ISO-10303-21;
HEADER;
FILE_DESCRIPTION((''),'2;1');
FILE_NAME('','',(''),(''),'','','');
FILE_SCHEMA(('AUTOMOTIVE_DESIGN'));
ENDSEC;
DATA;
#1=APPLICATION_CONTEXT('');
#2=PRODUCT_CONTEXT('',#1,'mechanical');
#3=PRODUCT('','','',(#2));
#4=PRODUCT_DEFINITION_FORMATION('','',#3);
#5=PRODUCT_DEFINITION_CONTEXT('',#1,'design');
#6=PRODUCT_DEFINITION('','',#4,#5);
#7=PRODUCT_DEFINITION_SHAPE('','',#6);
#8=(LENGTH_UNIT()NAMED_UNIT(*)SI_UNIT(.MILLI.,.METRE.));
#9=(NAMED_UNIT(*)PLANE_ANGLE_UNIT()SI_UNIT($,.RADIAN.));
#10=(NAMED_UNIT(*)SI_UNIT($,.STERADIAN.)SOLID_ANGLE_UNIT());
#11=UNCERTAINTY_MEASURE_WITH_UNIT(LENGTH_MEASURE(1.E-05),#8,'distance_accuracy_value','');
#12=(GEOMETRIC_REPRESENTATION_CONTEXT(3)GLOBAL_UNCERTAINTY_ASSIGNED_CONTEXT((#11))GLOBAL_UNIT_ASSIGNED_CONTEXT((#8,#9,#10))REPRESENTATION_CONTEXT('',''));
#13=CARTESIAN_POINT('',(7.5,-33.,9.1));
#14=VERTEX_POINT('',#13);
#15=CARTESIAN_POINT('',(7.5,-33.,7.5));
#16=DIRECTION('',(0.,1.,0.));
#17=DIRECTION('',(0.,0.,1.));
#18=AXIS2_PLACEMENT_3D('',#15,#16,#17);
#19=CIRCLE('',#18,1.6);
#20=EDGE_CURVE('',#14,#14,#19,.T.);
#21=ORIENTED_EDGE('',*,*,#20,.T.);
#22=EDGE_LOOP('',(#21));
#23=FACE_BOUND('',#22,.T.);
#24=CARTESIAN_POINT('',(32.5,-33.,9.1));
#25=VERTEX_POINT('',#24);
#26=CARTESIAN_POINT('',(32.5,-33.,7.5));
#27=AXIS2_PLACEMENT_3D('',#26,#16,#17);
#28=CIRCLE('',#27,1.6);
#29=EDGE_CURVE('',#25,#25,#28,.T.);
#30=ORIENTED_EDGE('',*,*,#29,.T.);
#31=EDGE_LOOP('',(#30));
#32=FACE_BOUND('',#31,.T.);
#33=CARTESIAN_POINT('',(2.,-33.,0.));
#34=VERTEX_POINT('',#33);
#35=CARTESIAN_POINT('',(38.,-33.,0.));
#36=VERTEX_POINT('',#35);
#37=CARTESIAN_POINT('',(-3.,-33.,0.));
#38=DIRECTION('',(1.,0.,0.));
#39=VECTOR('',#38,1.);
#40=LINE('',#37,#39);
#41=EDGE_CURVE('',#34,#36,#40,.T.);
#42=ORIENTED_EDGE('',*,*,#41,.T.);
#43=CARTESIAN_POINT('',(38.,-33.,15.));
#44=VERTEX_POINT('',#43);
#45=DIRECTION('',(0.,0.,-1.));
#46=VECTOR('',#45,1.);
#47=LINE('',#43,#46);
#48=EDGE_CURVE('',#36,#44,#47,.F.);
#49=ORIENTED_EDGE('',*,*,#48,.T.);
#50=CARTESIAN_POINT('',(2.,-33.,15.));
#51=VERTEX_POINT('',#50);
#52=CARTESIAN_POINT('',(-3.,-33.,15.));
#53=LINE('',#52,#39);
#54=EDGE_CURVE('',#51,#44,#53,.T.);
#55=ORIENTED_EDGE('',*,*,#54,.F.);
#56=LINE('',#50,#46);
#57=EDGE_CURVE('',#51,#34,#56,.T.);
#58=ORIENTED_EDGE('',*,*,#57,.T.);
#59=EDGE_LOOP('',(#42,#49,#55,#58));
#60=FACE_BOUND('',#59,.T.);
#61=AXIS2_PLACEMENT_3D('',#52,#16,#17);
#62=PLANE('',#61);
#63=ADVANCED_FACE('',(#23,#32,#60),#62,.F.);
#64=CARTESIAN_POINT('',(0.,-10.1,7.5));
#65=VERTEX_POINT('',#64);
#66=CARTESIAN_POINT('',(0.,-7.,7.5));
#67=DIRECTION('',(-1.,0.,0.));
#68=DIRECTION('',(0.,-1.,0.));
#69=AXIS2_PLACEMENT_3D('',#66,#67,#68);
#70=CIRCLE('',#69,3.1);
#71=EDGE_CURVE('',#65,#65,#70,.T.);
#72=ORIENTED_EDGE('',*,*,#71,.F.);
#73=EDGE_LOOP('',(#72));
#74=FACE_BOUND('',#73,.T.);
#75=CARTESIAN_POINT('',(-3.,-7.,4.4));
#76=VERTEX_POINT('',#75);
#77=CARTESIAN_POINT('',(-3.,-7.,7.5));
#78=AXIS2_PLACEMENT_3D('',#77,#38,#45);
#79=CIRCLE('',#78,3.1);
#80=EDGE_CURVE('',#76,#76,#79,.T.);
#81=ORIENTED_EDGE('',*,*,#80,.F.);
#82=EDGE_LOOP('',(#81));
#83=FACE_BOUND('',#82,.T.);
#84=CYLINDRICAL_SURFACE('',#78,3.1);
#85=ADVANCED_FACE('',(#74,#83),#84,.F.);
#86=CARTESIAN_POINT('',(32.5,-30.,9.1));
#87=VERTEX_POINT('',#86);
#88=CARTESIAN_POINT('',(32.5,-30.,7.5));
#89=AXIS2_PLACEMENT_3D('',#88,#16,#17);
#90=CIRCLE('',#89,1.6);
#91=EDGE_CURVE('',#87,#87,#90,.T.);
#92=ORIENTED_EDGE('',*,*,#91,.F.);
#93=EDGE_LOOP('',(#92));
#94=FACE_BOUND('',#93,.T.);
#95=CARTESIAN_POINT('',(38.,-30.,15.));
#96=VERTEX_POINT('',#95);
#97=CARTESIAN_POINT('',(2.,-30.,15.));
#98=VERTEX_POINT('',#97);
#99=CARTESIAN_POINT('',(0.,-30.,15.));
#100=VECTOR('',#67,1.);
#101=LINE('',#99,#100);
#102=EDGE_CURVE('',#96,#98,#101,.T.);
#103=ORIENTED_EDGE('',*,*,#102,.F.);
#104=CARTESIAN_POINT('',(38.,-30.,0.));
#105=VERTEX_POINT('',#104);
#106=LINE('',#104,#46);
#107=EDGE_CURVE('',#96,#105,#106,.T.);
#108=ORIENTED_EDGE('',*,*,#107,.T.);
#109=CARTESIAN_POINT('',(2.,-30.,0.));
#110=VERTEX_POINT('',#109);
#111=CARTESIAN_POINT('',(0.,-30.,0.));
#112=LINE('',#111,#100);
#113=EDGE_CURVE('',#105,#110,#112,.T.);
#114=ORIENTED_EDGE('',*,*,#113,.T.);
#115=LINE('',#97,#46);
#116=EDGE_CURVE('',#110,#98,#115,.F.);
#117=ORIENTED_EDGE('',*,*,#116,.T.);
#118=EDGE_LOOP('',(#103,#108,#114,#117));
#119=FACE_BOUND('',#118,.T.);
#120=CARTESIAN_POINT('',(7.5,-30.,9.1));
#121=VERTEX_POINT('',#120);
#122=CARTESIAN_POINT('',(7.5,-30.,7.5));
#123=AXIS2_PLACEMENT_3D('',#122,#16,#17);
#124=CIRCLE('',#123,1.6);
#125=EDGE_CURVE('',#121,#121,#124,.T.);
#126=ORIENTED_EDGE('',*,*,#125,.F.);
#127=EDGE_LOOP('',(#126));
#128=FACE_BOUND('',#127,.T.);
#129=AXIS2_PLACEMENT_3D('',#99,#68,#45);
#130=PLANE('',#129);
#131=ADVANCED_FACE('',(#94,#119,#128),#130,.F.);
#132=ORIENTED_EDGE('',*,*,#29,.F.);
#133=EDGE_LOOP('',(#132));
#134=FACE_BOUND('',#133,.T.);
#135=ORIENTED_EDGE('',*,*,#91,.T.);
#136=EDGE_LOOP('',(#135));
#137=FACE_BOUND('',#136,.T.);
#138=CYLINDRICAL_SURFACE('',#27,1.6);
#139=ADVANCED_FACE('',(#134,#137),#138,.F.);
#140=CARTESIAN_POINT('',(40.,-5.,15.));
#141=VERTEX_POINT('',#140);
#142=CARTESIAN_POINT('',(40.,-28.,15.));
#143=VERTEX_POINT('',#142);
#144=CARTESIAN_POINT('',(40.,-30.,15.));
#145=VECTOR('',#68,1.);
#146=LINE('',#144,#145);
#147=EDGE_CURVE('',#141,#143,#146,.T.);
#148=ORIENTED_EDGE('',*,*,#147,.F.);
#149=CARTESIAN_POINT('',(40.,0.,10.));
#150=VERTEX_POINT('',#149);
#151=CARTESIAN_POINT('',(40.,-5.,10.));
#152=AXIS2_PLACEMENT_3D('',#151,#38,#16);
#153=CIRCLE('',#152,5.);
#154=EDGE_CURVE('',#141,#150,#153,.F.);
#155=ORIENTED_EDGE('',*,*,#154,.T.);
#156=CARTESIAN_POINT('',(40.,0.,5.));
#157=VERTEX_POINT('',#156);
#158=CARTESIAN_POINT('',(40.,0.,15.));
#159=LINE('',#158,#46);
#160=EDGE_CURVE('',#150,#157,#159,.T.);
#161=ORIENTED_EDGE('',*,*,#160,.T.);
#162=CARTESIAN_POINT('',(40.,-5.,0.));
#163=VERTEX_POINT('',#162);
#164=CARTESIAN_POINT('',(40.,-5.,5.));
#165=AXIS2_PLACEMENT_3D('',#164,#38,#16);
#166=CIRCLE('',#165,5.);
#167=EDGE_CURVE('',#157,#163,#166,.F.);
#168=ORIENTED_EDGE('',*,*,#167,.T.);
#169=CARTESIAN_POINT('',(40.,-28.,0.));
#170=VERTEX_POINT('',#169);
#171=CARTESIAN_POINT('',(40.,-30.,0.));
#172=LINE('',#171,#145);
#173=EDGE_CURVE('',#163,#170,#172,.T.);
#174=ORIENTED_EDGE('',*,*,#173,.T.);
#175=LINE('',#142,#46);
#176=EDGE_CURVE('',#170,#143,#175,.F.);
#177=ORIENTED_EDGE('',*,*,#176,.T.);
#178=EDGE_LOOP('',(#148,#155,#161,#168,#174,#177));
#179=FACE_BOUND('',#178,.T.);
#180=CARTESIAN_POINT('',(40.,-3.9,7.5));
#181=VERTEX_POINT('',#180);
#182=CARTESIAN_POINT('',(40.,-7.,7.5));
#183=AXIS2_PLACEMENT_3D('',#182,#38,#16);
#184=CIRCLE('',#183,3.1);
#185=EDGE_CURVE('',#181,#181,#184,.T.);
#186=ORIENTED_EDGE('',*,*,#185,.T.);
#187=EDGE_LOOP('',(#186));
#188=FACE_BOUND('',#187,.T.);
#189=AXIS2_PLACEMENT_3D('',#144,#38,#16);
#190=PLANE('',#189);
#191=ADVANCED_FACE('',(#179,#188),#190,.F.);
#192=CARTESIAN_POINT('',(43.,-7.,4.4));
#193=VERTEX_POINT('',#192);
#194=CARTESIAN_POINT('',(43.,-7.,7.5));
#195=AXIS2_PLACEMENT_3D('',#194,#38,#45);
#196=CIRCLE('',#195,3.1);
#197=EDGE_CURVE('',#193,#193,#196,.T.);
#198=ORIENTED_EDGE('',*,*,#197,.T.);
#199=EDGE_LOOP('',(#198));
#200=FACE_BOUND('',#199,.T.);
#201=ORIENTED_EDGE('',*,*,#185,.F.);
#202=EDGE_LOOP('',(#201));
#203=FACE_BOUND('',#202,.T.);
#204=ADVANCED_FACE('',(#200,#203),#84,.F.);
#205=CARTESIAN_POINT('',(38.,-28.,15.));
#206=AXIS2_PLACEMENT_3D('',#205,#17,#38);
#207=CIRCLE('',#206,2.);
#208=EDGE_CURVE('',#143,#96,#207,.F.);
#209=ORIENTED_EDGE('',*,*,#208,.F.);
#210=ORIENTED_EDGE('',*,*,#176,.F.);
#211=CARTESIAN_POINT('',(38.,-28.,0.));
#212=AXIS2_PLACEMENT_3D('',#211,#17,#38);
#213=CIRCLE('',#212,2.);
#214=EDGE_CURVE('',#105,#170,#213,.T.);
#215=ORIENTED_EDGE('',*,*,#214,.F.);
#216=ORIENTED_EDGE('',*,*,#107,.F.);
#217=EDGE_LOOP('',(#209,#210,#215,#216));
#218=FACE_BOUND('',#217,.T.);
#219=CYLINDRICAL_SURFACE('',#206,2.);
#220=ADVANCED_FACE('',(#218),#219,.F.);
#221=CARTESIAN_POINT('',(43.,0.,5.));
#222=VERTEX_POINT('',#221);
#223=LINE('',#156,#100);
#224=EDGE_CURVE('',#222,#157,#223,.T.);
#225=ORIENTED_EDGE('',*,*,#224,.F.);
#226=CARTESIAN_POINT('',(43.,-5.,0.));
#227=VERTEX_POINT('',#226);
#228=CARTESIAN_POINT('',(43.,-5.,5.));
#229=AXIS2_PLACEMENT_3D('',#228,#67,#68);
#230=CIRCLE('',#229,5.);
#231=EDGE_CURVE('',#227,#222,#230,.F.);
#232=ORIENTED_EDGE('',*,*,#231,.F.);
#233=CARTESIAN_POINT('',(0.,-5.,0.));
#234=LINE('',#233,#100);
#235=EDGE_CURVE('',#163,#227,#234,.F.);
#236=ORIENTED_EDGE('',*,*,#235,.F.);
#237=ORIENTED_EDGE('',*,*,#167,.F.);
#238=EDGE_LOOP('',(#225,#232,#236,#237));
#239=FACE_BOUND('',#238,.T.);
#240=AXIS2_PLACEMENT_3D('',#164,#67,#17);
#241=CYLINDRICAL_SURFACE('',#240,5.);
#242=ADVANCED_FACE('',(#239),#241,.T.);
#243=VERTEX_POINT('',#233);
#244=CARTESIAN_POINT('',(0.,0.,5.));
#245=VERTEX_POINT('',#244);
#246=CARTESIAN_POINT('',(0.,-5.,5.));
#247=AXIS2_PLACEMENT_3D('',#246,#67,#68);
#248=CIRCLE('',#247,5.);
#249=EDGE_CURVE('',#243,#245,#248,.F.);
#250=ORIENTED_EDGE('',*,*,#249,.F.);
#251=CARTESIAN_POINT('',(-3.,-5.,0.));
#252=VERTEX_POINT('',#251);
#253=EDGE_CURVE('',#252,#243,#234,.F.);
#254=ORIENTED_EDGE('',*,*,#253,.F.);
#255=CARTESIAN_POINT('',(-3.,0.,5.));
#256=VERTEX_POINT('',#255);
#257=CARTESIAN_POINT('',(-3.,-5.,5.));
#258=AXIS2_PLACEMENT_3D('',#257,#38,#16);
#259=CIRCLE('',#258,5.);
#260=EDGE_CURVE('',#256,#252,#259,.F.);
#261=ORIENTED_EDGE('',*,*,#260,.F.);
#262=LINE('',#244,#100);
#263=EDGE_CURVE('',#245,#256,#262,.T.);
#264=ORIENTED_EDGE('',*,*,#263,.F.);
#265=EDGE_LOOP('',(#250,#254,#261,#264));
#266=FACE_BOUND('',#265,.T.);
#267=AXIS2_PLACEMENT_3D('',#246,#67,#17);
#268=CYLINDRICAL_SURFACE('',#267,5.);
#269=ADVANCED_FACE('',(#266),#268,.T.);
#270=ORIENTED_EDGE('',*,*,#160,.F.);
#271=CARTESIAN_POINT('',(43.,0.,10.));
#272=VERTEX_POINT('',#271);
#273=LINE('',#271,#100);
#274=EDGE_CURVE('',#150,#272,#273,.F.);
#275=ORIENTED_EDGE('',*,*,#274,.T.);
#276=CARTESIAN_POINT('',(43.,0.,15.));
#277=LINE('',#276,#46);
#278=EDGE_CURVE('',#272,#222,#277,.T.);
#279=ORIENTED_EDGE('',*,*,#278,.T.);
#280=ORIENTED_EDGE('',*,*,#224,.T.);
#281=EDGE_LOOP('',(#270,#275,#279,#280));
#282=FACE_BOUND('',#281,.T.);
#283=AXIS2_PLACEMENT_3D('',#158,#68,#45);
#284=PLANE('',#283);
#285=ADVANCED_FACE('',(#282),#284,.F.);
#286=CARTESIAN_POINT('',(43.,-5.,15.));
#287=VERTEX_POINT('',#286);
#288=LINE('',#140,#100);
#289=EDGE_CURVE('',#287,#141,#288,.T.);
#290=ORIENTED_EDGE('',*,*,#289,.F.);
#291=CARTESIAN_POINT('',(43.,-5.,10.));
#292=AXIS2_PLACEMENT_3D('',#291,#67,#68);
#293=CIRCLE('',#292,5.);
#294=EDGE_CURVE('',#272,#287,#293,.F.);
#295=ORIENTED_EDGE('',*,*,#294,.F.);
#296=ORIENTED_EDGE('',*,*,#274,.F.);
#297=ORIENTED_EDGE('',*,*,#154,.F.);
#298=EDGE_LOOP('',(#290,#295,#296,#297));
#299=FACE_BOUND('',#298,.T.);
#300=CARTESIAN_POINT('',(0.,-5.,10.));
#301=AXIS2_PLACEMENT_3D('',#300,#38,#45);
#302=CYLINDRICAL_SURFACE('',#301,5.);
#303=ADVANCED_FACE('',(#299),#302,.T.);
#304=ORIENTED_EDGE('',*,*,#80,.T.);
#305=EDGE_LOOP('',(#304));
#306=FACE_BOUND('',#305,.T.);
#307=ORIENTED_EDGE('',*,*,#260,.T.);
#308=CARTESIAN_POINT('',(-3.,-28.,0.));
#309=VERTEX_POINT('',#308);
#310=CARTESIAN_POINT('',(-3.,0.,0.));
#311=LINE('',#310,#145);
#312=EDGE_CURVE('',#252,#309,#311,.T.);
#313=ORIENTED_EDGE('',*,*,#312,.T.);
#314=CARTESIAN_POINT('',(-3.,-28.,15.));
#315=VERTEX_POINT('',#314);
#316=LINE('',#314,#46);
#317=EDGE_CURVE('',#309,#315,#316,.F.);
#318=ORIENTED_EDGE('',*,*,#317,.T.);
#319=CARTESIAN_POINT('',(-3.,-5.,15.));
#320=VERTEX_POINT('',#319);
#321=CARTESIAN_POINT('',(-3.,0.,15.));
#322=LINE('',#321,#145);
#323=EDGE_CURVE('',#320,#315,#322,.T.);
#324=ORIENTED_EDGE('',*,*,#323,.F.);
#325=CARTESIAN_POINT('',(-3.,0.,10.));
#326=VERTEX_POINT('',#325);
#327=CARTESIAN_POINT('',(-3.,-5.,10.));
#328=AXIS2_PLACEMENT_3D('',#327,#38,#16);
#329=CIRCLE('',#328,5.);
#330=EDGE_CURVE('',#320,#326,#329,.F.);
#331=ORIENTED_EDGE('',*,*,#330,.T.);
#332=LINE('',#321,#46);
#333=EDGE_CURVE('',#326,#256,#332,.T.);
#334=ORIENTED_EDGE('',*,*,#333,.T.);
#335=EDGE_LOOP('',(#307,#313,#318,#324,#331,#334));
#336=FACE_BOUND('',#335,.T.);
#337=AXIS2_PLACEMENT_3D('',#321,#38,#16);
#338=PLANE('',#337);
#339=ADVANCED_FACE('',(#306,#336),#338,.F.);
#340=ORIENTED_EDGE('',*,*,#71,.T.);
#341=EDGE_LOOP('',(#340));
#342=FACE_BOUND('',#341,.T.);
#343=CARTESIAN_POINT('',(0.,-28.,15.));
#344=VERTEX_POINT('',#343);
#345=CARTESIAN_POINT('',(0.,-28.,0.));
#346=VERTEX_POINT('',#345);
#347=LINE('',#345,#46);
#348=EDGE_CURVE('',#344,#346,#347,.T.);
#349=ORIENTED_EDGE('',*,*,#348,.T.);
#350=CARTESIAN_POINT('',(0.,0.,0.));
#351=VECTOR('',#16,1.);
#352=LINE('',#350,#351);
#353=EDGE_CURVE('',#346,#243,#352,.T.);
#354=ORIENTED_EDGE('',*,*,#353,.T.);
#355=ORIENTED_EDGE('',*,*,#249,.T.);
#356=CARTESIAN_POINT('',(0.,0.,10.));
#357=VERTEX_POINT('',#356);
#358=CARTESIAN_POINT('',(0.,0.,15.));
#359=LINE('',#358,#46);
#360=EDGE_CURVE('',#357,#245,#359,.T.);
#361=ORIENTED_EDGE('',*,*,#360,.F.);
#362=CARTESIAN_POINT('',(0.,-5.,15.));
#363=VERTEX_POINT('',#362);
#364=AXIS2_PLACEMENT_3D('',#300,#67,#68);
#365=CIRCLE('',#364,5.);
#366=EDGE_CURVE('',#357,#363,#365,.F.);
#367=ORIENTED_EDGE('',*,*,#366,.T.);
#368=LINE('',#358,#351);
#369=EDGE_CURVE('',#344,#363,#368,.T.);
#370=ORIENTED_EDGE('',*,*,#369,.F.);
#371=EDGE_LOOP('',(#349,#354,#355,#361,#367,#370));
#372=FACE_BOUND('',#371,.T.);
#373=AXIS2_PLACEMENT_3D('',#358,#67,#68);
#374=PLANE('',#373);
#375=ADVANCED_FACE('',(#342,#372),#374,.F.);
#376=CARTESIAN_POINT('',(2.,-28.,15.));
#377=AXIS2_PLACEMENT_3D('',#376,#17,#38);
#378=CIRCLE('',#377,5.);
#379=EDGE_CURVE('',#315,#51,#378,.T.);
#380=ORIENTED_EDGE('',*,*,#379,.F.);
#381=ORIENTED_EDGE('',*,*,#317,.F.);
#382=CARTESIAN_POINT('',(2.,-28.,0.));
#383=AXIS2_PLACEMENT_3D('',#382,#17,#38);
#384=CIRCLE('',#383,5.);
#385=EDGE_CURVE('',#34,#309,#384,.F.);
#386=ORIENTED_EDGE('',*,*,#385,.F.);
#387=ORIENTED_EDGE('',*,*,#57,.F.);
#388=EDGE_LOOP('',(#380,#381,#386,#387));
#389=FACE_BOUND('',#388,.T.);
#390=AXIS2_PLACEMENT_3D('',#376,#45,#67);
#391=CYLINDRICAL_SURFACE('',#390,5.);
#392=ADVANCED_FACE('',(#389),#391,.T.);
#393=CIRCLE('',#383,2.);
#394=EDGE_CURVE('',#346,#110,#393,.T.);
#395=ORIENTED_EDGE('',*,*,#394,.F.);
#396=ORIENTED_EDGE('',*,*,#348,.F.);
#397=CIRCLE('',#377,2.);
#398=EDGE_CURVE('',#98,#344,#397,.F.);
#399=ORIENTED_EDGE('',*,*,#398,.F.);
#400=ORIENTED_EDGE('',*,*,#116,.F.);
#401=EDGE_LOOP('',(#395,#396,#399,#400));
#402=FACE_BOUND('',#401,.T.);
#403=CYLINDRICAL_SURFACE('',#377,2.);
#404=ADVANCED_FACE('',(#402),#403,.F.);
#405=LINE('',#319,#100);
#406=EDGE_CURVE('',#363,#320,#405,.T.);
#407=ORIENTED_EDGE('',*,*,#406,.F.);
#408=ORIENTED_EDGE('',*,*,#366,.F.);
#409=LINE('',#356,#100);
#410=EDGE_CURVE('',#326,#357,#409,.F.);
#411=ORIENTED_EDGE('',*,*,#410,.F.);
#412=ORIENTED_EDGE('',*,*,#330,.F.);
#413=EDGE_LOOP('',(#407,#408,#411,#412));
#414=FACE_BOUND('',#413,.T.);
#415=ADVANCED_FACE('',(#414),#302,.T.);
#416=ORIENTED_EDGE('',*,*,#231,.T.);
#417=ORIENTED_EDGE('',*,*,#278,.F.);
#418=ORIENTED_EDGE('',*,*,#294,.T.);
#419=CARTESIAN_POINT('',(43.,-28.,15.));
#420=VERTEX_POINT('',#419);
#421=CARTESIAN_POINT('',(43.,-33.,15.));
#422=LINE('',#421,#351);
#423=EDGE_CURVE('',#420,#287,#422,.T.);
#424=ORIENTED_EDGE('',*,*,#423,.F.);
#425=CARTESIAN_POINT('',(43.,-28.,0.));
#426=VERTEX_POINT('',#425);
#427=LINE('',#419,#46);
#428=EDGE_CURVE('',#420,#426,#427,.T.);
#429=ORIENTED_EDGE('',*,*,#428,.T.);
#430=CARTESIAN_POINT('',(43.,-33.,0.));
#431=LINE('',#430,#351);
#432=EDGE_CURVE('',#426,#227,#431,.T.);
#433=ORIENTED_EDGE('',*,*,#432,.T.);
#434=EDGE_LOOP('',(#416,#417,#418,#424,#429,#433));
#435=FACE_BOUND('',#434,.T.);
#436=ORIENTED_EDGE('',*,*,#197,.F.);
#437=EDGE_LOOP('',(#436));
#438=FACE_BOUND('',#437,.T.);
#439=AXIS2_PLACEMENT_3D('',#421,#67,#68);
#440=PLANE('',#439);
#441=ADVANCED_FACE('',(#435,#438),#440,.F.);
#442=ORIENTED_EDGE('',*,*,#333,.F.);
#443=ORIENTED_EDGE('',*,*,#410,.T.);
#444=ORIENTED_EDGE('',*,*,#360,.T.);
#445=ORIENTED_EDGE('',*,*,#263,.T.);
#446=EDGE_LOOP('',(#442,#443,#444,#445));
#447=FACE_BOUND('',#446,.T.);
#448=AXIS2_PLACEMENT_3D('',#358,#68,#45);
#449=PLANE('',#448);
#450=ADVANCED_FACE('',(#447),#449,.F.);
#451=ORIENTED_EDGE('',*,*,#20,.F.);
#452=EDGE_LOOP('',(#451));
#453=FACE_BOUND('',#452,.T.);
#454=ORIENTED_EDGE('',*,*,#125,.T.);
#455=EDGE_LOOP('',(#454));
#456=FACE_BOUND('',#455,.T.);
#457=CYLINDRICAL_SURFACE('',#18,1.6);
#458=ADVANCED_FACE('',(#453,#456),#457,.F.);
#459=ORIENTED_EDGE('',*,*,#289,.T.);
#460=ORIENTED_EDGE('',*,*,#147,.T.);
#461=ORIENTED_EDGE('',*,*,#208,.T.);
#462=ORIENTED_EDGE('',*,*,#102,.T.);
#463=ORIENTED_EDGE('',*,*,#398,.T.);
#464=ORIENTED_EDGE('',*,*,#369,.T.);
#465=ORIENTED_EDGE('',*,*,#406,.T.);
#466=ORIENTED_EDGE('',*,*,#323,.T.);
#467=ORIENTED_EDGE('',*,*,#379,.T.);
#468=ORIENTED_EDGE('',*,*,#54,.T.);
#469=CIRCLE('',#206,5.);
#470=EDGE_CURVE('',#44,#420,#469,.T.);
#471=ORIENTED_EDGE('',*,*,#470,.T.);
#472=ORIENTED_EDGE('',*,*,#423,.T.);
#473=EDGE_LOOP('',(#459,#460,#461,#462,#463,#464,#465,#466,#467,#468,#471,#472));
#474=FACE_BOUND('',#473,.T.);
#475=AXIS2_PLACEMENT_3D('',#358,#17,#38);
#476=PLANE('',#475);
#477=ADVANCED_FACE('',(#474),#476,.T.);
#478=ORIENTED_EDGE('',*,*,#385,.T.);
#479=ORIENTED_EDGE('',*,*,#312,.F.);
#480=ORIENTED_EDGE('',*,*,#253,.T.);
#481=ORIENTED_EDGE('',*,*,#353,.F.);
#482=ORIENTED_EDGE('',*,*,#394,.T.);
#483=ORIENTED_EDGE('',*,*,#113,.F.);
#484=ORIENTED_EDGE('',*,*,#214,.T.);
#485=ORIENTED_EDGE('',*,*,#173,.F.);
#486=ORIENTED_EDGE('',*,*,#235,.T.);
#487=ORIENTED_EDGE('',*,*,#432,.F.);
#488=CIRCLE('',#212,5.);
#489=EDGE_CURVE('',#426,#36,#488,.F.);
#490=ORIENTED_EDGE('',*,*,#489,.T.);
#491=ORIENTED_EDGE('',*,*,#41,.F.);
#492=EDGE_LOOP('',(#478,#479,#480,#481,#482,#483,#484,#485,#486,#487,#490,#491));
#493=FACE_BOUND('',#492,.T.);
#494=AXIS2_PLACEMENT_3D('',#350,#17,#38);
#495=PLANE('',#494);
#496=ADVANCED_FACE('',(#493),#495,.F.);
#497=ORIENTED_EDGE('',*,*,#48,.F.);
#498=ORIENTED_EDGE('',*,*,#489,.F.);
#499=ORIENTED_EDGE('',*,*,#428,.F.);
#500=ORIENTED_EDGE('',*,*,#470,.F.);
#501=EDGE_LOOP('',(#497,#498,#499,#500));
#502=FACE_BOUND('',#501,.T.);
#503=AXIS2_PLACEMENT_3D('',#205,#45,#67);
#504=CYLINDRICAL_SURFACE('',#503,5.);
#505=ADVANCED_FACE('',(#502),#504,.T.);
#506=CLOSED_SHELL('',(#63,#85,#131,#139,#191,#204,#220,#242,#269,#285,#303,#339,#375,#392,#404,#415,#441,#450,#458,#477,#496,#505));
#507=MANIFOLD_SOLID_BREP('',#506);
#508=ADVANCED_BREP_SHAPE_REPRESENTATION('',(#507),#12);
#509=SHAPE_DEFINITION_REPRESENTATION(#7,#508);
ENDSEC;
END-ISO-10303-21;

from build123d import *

# Parameters (mm, degrees)
EXTRUDE_1_DEPTH     = 15
SKETCH_2_R          = 3.1
CUT_EXTRUDE_1_DEPTH = 59.566201857
FILLET_1_R          = 5
SKETCH_3_R          = 1.6
CUT_EXTRUDE_2_DEPTH = 55.534392818
FILLET_3_R          = 2
FILLET_4_R          = 5


with BuildPart() as part:
    # ｽｹｯﾁ1 → ﾎﾞｽ - 押し出し1 (new body)
    with BuildSketch(Plane.XY):
        Polygon((0, 0), (0, -30), (40, -30), (40, 0), (43, 0), (43, -33), (-3, -33), (-3, 0), align=None)
    extrude(amount=EXTRUDE_1_DEPTH)

    # ｽｹｯﾁ2 → ｶｯﾄ - 押し出し1 (cut, through all)
    with BuildSketch(Plane(origin=(43, 0, 0), x_dir=(0, 0, -1), z_dir=(1, 0, 0))):
        with Locations((-7.5, -7)):
            Circle(SKETCH_2_R)
    extrude(amount=-CUT_EXTRUDE_1_DEPTH, mode=Mode.SUBTRACT)

    # ﾌｨﾚｯﾄ1
    fillet_1_edges = [part.edges().sort_by_distance(p)[0] for p in [
        (-1.5, 0, 0),
        (41.5, 0, 15),
        (-1.5, 0, 15),
        (41.5, 0, 0),
    ]]
    fillet(fillet_1_edges, radius=FILLET_1_R)

    # ｽｹｯﾁ3 → ｶｯﾄ - 押し出し2 (cut, through all)
    with BuildSketch(Plane(origin=(0, -30, 0), x_dir=(1, 0, 0), z_dir=(0, 1, 0))):
        with Locations(Location((7.5, -7.5, 0), (0, 0, 270))):
            Circle(SKETCH_3_R)
        with Locations(Location((32.5, -7.5, 0), (0, 0, 270))):
            Circle(SKETCH_3_R)
    extrude(amount=-CUT_EXTRUDE_2_DEPTH, mode=Mode.SUBTRACT)

    # ﾌｨﾚｯﾄ3
    fillet_3_edges = [part.edges().sort_by_distance(p)[0] for p in [
        (0, -30, 7.5),
        (40, -30, 7.5),
    ]]
    fillet(fillet_3_edges, radius=FILLET_3_R)

    # ﾌｨﾚｯﾄ4
    fillet_4_edges = [part.edges().sort_by_distance(p)[0] for p in [
        (43, -33, 7.5),
        (-3, -33, 7.5),
    ]]
    fillet(fillet_4_edges, radius=FILLET_4_R)


solid = part.part
